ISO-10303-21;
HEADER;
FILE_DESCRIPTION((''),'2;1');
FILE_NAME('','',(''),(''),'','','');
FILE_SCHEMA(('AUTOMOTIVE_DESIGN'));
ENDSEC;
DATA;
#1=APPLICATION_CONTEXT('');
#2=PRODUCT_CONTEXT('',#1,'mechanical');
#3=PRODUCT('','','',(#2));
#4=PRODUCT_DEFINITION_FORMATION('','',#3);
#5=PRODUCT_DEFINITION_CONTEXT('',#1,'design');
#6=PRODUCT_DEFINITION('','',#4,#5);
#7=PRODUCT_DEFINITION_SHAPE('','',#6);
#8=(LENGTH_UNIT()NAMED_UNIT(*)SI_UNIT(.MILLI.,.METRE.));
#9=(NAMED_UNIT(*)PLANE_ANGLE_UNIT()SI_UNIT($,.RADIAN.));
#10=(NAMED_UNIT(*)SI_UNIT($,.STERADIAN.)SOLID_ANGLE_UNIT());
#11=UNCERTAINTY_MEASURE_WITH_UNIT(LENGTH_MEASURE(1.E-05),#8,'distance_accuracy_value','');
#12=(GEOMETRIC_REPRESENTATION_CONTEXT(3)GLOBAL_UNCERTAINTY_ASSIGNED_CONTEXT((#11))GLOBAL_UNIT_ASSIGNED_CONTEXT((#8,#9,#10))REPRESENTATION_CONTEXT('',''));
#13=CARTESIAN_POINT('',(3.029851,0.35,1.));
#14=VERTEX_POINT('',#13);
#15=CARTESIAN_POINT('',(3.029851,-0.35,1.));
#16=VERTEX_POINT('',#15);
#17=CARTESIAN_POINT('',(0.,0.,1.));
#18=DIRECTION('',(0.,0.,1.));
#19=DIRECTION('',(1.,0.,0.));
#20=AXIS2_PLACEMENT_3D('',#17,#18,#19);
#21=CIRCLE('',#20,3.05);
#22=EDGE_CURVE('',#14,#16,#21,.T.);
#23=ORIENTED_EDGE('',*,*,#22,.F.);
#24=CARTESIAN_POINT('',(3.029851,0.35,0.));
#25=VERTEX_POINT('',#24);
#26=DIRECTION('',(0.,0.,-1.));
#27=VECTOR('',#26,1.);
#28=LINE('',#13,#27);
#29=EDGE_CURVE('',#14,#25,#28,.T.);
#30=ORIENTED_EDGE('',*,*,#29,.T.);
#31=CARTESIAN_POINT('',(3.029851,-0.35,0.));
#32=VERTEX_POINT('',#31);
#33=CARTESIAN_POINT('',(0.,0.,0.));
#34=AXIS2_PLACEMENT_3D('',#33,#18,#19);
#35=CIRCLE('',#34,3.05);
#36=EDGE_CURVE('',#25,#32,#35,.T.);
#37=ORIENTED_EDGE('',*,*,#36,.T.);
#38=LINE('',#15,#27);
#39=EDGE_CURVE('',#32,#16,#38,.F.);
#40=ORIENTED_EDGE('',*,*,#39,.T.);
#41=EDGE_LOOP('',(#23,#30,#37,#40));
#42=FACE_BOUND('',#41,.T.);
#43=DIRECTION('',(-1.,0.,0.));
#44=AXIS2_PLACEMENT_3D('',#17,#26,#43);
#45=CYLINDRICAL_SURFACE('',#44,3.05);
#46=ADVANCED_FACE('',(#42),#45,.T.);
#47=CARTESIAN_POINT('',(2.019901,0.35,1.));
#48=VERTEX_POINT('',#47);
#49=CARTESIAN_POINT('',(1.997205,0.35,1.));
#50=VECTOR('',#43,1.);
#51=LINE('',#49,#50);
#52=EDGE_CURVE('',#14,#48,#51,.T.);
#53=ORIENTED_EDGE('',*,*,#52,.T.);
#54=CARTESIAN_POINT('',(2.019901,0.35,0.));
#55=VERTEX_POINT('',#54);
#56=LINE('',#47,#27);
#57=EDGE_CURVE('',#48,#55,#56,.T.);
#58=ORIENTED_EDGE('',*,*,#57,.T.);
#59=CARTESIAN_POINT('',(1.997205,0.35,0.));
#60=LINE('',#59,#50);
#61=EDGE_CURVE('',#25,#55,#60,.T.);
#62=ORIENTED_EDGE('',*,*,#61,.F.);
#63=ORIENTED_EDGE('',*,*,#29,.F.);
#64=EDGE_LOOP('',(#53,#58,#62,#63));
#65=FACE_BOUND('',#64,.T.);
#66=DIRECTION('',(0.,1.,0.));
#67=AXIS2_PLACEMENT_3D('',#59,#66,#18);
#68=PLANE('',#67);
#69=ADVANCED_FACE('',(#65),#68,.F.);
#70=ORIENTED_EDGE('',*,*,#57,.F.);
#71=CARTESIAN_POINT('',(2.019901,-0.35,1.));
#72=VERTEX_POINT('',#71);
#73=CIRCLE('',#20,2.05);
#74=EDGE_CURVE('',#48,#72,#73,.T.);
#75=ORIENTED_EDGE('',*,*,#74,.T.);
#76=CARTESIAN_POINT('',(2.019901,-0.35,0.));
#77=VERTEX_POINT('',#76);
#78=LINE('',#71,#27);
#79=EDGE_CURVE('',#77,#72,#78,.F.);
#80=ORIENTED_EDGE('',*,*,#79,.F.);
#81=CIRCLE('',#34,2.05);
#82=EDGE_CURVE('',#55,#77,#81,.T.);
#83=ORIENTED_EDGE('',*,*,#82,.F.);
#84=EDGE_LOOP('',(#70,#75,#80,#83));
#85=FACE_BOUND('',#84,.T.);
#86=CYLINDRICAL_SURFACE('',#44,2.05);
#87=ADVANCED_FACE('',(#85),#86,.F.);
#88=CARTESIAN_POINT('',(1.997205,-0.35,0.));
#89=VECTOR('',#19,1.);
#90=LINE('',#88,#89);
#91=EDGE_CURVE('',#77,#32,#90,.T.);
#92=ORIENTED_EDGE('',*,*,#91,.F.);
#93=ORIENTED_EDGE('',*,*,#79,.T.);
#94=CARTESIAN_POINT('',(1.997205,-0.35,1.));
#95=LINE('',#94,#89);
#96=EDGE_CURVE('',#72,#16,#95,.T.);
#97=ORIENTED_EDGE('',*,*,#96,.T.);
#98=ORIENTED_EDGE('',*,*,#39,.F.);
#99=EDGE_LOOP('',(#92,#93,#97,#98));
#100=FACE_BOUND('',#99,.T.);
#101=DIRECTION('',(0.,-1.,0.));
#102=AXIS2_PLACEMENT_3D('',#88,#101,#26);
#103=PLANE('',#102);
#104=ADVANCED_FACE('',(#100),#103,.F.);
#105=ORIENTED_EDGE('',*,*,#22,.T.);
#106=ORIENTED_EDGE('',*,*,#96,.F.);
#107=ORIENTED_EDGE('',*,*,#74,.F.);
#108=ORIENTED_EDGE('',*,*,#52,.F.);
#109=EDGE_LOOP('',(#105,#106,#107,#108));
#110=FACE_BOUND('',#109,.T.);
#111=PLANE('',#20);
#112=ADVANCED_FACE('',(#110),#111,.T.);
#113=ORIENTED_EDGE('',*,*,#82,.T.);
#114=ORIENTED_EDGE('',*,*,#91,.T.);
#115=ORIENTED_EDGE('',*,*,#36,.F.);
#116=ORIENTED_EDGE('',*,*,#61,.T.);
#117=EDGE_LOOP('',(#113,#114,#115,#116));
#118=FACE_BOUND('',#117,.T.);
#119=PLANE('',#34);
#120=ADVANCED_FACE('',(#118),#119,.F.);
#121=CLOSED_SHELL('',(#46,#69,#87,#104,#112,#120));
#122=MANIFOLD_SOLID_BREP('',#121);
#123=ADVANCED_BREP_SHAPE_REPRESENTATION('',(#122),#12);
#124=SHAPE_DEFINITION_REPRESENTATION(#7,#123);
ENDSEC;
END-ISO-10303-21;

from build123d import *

# Parameters (mm, degrees)
SKETCH_1_R          = 3.05
SKETCH_1_R_2        = 2.05
EXTRUDE_1_DEPTH     = 1
SKETCH_2_W          = 1.111960385
SKETCH_2_H          = 0.7
CUT_EXTRUDE_1_DEPTH = 5.427753381


with BuildPart() as part:
    # Эскиз1 → Вытянуть1 (new body)
    with BuildSketch(Plane.XY):
        Circle(SKETCH_1_R)
        Circle(SKETCH_1_R_2, mode=Mode.SUBTRACT)
    extrude(amount=EXTRUDE_1_DEPTH)

    # Эскиз2 → Вырез-Вытянуть1 (cut, through all)
    with BuildSketch(Plane.XY.offset(1)):
        with Locations((2.553185263, 0)):
            Rectangle(SKETCH_2_W, SKETCH_2_H)
    extrude(amount=-CUT_EXTRUDE_1_DEPTH, mode=Mode.SUBTRACT)


solid = part.part
